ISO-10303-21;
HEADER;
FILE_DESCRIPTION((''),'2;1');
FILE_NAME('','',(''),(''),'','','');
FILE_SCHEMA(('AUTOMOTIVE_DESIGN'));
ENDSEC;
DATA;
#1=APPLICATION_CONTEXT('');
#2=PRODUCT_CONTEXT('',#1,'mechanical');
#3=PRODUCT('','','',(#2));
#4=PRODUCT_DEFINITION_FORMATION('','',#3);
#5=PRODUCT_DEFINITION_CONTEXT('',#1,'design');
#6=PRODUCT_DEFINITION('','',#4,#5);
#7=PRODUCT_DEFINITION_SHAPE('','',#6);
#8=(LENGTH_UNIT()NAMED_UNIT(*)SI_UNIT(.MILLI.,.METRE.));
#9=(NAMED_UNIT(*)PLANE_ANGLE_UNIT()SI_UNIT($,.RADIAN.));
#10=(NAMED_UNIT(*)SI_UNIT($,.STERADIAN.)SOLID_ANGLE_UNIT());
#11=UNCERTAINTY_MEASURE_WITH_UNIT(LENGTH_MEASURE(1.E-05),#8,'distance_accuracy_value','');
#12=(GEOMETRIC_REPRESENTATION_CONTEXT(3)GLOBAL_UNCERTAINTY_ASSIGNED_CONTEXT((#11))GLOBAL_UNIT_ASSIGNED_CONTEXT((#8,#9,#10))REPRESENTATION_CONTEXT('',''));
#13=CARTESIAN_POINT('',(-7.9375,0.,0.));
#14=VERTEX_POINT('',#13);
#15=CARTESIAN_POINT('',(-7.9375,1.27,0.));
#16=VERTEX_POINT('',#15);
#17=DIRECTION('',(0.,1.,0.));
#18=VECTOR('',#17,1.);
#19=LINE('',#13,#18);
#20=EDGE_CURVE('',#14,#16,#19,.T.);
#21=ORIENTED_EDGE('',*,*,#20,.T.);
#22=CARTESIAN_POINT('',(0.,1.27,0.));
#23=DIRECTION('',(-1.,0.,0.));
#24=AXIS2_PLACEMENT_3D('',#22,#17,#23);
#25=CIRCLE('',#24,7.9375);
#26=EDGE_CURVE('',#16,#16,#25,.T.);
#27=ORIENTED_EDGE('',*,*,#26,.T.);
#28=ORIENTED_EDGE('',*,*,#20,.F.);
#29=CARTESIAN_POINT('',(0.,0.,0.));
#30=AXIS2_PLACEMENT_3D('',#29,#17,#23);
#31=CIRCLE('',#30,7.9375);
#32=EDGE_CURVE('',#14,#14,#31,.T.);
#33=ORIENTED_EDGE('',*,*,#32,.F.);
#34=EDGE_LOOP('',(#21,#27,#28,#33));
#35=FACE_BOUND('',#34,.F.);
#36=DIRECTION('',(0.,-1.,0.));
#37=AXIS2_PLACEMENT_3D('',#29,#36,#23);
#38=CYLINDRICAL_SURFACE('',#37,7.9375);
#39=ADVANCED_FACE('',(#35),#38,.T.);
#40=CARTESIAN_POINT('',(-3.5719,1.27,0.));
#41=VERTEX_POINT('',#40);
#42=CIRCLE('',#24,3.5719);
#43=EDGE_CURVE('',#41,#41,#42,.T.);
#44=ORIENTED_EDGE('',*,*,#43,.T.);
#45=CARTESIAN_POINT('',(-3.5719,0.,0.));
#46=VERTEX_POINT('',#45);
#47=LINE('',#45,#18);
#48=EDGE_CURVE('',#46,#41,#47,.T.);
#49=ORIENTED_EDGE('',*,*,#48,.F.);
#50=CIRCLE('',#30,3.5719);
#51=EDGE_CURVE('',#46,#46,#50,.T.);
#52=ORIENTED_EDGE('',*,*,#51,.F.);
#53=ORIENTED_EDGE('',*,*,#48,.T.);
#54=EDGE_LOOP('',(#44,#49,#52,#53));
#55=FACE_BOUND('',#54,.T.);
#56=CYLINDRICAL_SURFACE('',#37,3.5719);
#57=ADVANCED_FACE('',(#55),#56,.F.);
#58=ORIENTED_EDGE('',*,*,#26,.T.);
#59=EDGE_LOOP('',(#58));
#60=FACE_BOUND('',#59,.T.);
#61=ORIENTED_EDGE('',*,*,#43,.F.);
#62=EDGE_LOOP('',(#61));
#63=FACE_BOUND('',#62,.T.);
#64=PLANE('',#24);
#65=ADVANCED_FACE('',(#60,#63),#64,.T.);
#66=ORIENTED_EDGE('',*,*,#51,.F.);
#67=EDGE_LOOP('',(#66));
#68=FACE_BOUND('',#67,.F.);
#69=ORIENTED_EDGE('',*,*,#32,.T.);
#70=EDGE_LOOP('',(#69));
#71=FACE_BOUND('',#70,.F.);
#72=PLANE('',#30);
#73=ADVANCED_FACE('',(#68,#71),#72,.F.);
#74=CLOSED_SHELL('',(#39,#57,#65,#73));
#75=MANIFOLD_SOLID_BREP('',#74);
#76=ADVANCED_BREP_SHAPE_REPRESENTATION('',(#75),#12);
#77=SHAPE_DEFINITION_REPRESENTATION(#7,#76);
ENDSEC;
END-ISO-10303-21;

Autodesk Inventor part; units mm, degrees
ref_plane "YZ Plane" through (0, 0, 0) normal (1, 0, 0) x (0, 1, 0)
ref_plane "XZ Plane" through (0, 0, 0) normal (0, 1, 0) x (-1, 0, 0)
ref_plane "XY Plane" through (0, 0, 0) normal (0, 0, 1) x (1, 0, 0)
sketch "Sketch1" plane through (0, 0, 0) normal (0, 1, 0) x (-1, 0, 0)
  circle A0 centre (0, 0) radius 3.5719
  circle A1 centre (0, 0) radius 7.9375
  dimension "d0" = 7.1437
  dimension "d1" = 15.875
extrude "Extrusion1" add sketch "Sketch1" along normal blind 1.27
properties part number "0.25x20 Washer" material "Steel"
